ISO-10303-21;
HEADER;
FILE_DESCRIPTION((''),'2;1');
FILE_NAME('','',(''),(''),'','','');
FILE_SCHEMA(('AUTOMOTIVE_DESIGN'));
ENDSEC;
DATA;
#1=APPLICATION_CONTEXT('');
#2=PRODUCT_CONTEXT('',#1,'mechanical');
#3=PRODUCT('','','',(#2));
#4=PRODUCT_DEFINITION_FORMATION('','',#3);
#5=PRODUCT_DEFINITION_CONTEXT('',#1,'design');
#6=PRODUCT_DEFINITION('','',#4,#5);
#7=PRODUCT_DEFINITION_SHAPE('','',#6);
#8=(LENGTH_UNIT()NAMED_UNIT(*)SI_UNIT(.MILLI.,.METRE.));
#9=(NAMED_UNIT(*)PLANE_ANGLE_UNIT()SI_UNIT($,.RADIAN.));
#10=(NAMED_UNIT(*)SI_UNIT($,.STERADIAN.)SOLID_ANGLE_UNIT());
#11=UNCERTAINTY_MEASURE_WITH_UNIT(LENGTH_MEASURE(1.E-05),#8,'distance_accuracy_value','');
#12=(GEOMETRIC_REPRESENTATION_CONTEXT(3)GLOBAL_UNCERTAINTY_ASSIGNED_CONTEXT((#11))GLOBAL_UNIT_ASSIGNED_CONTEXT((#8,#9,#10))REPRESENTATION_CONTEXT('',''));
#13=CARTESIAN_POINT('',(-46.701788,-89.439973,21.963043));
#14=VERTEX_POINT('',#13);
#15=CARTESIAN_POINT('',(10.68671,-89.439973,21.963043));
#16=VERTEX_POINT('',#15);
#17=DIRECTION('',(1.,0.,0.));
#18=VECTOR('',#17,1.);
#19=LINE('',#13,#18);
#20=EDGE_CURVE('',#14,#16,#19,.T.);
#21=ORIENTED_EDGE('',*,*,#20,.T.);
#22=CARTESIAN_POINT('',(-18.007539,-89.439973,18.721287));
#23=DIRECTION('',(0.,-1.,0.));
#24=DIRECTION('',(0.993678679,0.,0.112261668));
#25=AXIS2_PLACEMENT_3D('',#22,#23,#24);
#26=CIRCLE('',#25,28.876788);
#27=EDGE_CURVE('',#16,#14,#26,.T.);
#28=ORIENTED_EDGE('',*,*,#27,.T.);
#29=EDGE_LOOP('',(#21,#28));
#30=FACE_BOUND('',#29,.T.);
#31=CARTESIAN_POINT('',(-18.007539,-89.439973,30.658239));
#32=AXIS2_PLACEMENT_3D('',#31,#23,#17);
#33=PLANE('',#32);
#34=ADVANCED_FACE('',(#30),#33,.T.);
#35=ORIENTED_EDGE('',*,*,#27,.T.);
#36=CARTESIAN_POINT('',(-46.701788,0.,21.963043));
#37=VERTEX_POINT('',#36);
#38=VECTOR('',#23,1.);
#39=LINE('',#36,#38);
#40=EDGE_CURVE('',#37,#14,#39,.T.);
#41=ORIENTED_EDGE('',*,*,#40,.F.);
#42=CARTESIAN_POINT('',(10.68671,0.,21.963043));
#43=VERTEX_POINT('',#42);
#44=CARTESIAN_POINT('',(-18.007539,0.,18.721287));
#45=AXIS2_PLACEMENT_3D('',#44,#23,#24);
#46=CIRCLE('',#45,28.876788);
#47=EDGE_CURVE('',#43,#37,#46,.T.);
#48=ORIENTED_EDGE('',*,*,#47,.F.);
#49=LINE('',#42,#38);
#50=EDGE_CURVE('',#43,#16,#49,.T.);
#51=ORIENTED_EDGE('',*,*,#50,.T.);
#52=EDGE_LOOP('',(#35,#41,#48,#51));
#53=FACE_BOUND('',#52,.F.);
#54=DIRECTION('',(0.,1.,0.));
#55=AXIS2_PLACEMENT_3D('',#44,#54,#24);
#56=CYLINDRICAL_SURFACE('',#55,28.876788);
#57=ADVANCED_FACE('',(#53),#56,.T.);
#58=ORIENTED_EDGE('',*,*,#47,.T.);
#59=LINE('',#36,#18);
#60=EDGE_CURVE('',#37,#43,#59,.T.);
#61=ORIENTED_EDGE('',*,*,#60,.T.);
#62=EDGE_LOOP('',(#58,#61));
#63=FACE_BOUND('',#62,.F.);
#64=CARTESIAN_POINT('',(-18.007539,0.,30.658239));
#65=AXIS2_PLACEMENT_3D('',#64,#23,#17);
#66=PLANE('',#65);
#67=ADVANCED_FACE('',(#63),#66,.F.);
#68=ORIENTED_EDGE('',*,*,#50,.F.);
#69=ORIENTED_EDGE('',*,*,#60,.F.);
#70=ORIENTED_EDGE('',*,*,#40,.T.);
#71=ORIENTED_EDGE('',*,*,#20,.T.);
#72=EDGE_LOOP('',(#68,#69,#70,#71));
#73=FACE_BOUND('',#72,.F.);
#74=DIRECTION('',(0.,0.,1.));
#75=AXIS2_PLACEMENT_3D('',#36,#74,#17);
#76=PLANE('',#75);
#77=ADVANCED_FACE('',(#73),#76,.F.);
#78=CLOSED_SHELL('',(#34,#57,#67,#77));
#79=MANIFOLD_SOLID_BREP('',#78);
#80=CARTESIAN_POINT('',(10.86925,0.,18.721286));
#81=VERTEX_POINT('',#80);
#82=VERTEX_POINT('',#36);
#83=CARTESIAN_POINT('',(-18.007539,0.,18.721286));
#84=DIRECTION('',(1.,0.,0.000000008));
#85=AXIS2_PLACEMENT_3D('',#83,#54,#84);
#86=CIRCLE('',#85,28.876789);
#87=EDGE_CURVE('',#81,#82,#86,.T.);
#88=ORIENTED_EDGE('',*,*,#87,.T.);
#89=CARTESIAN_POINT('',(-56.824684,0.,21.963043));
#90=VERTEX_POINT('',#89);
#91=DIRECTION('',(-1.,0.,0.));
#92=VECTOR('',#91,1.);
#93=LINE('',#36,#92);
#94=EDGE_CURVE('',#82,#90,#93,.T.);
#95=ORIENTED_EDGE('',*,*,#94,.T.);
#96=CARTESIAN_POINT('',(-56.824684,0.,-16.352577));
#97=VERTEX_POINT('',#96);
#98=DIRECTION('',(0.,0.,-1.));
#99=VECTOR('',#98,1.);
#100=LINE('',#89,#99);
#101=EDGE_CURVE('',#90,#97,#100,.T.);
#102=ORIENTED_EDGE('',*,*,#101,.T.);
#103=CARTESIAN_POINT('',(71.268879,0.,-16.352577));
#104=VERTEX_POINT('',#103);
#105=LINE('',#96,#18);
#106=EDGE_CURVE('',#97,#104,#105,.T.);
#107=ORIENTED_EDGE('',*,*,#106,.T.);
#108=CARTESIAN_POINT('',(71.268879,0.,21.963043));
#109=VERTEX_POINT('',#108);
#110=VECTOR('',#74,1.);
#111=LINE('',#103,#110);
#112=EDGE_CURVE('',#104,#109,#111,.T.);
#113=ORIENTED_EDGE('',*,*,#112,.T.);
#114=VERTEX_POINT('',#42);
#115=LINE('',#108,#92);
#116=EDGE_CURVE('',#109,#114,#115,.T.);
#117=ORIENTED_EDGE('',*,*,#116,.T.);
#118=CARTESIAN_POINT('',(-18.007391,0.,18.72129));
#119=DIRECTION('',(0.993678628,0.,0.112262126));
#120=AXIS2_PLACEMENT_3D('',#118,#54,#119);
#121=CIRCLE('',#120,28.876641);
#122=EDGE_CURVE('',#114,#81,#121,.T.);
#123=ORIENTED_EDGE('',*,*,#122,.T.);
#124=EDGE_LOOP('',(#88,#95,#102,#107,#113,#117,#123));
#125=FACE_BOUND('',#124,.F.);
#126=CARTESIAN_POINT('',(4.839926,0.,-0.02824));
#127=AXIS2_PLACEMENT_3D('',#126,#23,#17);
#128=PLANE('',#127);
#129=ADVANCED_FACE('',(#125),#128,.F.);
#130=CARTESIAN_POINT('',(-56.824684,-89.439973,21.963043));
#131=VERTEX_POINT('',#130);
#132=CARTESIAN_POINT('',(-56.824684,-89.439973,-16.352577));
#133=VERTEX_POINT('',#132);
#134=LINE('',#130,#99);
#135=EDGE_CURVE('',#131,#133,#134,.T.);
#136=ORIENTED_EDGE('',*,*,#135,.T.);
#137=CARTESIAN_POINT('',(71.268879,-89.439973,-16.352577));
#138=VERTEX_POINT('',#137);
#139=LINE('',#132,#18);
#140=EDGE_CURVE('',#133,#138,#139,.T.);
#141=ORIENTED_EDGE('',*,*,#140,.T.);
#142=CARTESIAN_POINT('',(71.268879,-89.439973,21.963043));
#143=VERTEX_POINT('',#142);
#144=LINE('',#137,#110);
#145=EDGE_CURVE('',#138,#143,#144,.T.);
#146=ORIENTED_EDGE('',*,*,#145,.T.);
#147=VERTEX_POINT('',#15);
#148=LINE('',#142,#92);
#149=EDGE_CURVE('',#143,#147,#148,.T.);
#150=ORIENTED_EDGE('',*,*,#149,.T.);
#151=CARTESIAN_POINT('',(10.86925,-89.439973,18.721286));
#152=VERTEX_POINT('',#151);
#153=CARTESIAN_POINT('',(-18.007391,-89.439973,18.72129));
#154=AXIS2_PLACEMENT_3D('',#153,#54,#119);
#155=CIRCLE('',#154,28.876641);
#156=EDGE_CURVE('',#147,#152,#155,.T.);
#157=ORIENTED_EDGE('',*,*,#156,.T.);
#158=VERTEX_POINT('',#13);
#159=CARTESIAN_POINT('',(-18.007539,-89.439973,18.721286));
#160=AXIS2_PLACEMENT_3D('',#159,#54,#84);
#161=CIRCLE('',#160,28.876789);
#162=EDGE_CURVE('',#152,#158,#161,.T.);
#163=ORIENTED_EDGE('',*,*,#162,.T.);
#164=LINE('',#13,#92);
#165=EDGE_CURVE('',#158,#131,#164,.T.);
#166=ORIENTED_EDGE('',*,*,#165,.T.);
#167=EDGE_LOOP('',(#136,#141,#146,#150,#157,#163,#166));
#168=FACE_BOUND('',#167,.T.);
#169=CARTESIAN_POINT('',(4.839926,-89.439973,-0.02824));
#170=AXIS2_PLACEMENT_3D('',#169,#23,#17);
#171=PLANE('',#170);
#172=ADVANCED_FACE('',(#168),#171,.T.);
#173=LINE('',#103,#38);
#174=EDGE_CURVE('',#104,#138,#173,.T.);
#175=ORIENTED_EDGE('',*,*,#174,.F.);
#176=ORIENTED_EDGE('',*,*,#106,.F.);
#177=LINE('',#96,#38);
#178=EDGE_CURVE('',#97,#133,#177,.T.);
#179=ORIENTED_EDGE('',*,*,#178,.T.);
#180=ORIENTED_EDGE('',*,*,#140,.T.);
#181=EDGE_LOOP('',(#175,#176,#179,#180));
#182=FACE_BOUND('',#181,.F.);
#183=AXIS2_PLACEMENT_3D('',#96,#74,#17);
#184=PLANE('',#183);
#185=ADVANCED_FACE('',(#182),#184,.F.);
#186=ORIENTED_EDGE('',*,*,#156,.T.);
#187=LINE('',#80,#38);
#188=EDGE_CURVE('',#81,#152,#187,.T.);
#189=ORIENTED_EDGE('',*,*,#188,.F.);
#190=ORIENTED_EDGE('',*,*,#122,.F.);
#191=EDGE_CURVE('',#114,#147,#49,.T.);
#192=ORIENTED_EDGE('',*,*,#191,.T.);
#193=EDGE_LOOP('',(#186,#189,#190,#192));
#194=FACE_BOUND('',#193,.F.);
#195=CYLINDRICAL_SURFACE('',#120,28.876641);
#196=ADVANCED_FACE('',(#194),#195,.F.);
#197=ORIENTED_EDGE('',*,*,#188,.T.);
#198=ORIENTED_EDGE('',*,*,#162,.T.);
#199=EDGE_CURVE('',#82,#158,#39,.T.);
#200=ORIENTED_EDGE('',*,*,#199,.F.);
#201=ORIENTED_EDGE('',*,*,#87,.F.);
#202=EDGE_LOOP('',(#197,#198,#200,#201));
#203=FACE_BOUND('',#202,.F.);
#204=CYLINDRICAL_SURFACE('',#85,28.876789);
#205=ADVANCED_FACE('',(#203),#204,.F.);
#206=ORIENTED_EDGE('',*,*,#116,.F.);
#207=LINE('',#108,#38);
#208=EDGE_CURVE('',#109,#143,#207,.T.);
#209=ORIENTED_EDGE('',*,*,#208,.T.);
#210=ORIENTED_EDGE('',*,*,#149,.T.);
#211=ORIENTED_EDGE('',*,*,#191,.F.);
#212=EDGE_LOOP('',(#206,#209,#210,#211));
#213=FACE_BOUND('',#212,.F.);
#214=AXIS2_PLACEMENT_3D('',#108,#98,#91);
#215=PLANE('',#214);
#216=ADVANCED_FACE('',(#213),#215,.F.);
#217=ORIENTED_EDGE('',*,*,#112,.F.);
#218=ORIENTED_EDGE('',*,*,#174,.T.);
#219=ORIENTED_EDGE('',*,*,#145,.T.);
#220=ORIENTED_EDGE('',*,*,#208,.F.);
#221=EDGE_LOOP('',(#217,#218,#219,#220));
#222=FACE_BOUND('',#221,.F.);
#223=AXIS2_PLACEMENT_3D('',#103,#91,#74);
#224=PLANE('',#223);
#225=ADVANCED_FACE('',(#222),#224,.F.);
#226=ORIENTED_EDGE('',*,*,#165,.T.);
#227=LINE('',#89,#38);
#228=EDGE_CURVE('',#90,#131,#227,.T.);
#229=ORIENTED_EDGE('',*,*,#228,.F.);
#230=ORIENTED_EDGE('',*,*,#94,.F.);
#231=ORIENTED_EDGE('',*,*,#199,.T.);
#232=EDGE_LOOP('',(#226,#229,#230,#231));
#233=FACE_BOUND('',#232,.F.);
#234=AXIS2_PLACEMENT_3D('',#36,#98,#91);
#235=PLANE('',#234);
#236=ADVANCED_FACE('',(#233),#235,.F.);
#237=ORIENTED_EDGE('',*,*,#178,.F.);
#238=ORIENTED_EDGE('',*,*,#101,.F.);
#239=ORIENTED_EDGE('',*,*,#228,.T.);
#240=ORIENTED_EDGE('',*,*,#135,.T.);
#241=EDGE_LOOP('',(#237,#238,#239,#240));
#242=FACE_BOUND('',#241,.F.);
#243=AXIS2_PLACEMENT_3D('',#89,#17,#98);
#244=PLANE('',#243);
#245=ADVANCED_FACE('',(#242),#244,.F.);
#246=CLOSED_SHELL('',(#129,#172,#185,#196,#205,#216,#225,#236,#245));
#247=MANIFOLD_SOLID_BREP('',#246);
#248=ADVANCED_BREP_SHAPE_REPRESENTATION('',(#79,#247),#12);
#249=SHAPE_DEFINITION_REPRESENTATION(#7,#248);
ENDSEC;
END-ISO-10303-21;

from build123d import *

# Parameters (mm, degrees)
F1_DEPTH = 89.439973


with BuildPart() as f1:
    # F0 (on Front) → F1 (new body)
    with BuildSketch(Plane.XZ):
        with BuildLine():
            ThreePointArc((10.68671, 21.963043), (10.823579, 20.344732), (10.86925, 18.721286))
            ThreePointArc((10.86925, 18.721286), (-19.630985, -10.109832), (-46.701788, 21.963043))
            Line((-46.701788, 21.963043), (-56.824684, 21.963043))
            Line((-56.824684, 21.963043), (-56.824684, -16.352577))
            Line((-56.824684, -16.352577), (71.268879, -16.352577))
            Line((71.268879, -16.352577), (71.268879, 21.963043))
            Line((71.268879, 21.963043), (10.68671, 21.963043))
        make_face()
        with BuildLine():
            Line((-46.701788, 21.963043), (10.68671, 21.963043))
            ThreePointArc((10.68671, 21.963043), (-18.007539, 47.598075), (-46.701788, 21.963043))
        make_face()
    extrude(amount=F1_DEPTH)


solid = f1.part
